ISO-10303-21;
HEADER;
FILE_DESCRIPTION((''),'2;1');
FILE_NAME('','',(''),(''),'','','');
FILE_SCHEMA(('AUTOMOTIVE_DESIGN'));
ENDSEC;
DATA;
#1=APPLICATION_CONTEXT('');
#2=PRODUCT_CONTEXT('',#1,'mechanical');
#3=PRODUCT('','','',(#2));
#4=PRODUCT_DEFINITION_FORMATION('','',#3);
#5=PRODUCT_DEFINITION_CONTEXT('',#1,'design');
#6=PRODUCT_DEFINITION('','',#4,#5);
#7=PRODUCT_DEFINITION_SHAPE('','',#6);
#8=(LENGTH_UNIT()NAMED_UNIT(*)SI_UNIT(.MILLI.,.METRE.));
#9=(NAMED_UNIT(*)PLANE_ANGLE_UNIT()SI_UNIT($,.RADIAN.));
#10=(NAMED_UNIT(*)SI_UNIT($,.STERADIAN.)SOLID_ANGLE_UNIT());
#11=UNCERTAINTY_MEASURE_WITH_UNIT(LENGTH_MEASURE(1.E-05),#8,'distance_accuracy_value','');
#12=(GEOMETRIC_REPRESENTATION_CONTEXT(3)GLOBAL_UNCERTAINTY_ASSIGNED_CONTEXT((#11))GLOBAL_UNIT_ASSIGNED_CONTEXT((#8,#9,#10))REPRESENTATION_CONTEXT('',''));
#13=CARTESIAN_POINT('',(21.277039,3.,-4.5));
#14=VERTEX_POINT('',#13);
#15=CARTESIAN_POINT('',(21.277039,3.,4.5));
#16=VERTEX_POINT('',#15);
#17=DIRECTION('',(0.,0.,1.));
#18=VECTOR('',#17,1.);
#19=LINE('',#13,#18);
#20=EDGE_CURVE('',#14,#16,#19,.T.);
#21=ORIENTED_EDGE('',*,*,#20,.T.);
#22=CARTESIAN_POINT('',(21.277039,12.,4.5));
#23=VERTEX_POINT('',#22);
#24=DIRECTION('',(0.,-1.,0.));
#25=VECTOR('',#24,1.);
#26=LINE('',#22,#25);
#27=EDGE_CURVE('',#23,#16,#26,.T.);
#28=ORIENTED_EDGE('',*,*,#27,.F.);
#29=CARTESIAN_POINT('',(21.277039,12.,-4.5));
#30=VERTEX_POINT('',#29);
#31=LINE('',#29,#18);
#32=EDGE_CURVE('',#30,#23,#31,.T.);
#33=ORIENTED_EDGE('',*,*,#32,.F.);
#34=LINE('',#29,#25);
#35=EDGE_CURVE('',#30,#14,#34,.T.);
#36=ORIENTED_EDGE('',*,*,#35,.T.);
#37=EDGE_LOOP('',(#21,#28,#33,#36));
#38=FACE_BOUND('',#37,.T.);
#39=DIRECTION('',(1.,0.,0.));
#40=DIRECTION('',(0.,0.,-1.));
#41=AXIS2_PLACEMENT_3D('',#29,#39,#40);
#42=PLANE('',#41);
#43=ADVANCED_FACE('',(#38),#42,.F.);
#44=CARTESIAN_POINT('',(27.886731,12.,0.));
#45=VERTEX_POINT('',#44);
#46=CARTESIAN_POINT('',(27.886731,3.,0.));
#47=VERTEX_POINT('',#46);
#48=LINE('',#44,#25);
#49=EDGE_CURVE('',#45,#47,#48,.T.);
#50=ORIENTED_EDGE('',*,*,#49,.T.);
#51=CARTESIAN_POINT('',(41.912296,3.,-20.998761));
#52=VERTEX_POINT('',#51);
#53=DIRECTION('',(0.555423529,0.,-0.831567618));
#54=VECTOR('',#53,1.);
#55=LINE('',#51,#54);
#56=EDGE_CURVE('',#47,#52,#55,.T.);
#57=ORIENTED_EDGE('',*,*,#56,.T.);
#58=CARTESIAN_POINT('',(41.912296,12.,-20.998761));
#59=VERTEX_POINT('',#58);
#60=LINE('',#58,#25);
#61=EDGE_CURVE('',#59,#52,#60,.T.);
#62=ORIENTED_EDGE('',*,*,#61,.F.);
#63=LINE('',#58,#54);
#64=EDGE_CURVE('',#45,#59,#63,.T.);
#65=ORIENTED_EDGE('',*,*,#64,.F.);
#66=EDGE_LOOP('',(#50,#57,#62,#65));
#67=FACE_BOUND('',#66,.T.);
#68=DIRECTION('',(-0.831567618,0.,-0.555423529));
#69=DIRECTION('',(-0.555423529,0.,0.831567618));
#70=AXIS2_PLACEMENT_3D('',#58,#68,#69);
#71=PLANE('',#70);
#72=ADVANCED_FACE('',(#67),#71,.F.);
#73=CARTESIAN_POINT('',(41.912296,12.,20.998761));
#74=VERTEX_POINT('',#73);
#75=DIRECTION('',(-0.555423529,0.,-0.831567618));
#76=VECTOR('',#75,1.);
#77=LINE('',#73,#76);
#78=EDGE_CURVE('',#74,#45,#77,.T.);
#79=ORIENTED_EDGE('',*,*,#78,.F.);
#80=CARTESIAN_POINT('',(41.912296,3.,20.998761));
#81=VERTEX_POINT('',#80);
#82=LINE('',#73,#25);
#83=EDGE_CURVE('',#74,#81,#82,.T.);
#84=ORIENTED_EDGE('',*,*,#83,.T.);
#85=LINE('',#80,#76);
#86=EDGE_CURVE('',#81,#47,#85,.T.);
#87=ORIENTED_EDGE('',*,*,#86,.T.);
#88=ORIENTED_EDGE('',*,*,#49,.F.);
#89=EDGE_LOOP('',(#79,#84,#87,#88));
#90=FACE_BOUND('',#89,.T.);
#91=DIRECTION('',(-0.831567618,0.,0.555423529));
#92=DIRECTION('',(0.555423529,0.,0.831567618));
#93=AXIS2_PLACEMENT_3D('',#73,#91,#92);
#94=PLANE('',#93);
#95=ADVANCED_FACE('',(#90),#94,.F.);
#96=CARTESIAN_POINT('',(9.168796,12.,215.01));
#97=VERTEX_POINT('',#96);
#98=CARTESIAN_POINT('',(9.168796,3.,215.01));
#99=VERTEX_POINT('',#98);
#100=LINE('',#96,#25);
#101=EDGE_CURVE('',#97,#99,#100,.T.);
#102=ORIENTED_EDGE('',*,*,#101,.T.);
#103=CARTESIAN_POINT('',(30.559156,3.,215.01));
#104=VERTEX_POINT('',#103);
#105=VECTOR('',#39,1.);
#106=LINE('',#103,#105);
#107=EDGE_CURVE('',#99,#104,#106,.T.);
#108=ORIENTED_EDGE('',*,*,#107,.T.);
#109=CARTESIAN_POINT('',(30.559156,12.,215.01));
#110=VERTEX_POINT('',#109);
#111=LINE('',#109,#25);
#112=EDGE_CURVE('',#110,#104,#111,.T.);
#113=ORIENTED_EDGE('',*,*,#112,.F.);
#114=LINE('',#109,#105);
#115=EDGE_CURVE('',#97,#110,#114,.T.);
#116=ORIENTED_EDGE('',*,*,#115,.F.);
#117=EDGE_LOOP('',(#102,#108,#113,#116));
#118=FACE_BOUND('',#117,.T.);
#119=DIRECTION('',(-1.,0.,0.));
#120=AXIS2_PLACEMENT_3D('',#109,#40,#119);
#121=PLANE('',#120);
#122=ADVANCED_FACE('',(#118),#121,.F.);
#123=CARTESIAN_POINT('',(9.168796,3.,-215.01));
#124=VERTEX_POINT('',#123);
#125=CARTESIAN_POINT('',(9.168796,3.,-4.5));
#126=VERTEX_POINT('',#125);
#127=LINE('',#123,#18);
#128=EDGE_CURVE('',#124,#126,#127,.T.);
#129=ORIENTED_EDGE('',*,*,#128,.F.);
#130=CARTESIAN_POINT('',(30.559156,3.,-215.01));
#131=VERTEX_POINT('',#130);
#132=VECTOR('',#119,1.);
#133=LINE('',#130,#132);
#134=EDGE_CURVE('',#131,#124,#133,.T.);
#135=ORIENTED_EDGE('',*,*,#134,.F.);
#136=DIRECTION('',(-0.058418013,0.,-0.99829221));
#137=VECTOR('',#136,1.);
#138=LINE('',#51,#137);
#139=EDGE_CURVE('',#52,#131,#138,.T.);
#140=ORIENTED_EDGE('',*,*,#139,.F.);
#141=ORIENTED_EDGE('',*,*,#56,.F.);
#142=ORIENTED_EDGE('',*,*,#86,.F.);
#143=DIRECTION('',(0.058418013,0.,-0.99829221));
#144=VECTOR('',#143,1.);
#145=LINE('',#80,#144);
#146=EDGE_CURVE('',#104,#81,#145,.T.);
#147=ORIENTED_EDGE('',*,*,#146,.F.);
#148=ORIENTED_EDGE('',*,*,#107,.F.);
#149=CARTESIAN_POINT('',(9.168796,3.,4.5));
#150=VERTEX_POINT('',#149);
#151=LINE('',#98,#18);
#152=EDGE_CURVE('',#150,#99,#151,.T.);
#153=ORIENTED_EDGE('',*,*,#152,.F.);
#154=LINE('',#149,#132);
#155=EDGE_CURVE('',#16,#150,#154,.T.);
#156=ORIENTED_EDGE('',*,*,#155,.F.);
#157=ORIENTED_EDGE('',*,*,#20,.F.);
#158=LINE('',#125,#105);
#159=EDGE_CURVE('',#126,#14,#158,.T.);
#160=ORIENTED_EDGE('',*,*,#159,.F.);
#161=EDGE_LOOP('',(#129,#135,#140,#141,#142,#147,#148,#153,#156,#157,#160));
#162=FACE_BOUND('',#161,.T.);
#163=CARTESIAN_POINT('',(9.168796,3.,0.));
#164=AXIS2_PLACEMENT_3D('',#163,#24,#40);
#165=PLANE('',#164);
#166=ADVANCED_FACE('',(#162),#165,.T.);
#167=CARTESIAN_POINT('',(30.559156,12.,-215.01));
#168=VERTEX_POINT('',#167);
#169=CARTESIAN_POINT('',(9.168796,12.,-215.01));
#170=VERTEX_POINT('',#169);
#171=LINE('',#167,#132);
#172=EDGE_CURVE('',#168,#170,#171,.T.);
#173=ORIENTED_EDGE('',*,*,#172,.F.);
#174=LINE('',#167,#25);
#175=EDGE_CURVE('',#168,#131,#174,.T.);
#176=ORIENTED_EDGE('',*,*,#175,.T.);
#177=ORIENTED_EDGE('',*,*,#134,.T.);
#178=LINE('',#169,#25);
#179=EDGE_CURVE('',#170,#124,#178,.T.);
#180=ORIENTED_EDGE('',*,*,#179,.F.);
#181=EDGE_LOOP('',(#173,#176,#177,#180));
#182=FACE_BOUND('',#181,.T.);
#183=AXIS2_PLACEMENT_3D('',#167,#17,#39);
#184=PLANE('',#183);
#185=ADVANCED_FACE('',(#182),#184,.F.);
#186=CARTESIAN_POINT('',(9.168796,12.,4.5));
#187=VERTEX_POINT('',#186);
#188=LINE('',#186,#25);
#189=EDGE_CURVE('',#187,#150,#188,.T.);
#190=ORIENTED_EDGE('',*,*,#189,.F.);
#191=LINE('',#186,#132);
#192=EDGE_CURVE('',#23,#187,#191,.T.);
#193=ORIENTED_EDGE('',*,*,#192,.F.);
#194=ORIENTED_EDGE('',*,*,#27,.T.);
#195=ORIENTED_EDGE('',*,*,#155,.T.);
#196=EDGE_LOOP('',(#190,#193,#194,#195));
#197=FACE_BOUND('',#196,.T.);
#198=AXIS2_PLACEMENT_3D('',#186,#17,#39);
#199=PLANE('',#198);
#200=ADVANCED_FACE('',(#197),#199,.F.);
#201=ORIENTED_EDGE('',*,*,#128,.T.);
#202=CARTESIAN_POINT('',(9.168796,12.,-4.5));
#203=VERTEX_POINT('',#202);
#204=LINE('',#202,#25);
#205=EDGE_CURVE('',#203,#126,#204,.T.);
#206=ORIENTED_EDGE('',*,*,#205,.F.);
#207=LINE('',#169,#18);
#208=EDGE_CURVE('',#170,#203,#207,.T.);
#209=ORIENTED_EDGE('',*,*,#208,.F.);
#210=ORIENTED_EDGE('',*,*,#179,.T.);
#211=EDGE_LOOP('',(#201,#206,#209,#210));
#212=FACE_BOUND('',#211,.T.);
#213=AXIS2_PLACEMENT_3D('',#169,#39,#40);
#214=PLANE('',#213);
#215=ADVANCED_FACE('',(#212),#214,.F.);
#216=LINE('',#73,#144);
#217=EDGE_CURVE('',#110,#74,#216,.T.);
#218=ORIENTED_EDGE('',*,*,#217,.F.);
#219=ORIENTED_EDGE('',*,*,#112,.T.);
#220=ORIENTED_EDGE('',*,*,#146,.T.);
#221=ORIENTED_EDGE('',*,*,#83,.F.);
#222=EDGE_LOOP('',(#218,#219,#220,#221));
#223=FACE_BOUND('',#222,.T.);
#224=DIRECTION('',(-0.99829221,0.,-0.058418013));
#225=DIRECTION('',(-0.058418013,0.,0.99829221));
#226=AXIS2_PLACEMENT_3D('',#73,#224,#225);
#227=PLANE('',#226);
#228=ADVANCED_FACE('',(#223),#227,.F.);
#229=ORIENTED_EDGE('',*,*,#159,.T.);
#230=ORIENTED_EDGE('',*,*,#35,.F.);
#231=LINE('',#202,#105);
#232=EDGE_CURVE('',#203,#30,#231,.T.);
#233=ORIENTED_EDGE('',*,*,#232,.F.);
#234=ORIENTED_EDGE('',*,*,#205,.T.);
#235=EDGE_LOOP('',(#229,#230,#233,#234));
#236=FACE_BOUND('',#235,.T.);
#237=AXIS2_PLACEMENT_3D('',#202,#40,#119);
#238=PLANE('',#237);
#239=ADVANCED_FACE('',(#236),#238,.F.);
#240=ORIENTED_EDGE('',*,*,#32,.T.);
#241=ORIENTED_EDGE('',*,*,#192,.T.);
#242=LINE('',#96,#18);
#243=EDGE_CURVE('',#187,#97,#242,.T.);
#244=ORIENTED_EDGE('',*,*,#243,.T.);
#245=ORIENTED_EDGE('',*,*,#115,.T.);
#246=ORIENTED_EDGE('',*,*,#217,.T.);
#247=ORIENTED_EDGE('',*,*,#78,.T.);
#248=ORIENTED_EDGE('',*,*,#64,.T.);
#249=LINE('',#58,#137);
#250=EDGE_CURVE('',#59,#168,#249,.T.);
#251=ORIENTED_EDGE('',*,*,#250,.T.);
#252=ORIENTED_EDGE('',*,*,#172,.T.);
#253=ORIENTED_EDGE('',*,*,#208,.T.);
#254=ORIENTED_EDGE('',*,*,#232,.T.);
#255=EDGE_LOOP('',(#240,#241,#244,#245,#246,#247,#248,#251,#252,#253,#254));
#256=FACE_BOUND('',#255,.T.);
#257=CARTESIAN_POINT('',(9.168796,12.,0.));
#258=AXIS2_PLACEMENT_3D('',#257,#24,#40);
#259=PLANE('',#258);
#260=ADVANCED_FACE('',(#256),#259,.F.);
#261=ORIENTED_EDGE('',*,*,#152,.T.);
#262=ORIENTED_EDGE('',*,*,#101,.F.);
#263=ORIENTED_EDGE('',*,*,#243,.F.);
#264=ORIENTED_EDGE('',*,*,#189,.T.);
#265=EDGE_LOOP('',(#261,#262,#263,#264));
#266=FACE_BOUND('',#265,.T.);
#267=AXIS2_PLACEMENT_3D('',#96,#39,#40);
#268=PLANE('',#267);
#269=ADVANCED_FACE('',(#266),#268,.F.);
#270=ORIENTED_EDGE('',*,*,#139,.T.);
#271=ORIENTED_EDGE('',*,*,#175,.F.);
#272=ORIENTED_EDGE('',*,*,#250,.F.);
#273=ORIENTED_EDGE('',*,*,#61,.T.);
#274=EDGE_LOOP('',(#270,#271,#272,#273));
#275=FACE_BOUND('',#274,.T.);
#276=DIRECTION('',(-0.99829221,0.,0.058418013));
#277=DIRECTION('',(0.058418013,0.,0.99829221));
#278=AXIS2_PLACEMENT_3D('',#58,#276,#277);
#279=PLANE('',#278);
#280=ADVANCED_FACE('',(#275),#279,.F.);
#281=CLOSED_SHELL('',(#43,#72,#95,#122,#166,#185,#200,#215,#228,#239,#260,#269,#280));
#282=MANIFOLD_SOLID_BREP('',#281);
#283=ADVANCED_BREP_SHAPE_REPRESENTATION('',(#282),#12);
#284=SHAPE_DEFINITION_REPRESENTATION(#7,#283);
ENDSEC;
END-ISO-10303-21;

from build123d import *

# Parameters (mm, degrees)
BOSS_EXTRUDE1_DEPTH = 15
SCALE1_SCALE        = 0.6


with BuildPart() as part:
    # Sketch1 → Boss-Extrude1 (new body)
    with BuildSketch(Plane(origin=(0, 0, 0), x_dir=(1, 0, 0), z_dir=(0, 1, 0))):
        Polygon((0, 358.35), (0, 7.5), (20.180404561, 7.5), (20.180404561, -7.5), (0, -7.5), (0, -358.35), (35.650600343, -358.35), (54.572500068, -34.997934227), (31.19655837, 0), (54.572500068, 34.997934227), (35.650600343, 358.35), align=None)
    extrude(amount=BOSS_EXTRUDE1_DEPTH)


with BuildPart() as part_1:
    # Scale1: scaled about (22.921989844, 7.5, 0)
    add(part.part.scale(SCALE1_SCALE).moved(Location((9.168795938, 3, 0))))


solid = part_1.part
